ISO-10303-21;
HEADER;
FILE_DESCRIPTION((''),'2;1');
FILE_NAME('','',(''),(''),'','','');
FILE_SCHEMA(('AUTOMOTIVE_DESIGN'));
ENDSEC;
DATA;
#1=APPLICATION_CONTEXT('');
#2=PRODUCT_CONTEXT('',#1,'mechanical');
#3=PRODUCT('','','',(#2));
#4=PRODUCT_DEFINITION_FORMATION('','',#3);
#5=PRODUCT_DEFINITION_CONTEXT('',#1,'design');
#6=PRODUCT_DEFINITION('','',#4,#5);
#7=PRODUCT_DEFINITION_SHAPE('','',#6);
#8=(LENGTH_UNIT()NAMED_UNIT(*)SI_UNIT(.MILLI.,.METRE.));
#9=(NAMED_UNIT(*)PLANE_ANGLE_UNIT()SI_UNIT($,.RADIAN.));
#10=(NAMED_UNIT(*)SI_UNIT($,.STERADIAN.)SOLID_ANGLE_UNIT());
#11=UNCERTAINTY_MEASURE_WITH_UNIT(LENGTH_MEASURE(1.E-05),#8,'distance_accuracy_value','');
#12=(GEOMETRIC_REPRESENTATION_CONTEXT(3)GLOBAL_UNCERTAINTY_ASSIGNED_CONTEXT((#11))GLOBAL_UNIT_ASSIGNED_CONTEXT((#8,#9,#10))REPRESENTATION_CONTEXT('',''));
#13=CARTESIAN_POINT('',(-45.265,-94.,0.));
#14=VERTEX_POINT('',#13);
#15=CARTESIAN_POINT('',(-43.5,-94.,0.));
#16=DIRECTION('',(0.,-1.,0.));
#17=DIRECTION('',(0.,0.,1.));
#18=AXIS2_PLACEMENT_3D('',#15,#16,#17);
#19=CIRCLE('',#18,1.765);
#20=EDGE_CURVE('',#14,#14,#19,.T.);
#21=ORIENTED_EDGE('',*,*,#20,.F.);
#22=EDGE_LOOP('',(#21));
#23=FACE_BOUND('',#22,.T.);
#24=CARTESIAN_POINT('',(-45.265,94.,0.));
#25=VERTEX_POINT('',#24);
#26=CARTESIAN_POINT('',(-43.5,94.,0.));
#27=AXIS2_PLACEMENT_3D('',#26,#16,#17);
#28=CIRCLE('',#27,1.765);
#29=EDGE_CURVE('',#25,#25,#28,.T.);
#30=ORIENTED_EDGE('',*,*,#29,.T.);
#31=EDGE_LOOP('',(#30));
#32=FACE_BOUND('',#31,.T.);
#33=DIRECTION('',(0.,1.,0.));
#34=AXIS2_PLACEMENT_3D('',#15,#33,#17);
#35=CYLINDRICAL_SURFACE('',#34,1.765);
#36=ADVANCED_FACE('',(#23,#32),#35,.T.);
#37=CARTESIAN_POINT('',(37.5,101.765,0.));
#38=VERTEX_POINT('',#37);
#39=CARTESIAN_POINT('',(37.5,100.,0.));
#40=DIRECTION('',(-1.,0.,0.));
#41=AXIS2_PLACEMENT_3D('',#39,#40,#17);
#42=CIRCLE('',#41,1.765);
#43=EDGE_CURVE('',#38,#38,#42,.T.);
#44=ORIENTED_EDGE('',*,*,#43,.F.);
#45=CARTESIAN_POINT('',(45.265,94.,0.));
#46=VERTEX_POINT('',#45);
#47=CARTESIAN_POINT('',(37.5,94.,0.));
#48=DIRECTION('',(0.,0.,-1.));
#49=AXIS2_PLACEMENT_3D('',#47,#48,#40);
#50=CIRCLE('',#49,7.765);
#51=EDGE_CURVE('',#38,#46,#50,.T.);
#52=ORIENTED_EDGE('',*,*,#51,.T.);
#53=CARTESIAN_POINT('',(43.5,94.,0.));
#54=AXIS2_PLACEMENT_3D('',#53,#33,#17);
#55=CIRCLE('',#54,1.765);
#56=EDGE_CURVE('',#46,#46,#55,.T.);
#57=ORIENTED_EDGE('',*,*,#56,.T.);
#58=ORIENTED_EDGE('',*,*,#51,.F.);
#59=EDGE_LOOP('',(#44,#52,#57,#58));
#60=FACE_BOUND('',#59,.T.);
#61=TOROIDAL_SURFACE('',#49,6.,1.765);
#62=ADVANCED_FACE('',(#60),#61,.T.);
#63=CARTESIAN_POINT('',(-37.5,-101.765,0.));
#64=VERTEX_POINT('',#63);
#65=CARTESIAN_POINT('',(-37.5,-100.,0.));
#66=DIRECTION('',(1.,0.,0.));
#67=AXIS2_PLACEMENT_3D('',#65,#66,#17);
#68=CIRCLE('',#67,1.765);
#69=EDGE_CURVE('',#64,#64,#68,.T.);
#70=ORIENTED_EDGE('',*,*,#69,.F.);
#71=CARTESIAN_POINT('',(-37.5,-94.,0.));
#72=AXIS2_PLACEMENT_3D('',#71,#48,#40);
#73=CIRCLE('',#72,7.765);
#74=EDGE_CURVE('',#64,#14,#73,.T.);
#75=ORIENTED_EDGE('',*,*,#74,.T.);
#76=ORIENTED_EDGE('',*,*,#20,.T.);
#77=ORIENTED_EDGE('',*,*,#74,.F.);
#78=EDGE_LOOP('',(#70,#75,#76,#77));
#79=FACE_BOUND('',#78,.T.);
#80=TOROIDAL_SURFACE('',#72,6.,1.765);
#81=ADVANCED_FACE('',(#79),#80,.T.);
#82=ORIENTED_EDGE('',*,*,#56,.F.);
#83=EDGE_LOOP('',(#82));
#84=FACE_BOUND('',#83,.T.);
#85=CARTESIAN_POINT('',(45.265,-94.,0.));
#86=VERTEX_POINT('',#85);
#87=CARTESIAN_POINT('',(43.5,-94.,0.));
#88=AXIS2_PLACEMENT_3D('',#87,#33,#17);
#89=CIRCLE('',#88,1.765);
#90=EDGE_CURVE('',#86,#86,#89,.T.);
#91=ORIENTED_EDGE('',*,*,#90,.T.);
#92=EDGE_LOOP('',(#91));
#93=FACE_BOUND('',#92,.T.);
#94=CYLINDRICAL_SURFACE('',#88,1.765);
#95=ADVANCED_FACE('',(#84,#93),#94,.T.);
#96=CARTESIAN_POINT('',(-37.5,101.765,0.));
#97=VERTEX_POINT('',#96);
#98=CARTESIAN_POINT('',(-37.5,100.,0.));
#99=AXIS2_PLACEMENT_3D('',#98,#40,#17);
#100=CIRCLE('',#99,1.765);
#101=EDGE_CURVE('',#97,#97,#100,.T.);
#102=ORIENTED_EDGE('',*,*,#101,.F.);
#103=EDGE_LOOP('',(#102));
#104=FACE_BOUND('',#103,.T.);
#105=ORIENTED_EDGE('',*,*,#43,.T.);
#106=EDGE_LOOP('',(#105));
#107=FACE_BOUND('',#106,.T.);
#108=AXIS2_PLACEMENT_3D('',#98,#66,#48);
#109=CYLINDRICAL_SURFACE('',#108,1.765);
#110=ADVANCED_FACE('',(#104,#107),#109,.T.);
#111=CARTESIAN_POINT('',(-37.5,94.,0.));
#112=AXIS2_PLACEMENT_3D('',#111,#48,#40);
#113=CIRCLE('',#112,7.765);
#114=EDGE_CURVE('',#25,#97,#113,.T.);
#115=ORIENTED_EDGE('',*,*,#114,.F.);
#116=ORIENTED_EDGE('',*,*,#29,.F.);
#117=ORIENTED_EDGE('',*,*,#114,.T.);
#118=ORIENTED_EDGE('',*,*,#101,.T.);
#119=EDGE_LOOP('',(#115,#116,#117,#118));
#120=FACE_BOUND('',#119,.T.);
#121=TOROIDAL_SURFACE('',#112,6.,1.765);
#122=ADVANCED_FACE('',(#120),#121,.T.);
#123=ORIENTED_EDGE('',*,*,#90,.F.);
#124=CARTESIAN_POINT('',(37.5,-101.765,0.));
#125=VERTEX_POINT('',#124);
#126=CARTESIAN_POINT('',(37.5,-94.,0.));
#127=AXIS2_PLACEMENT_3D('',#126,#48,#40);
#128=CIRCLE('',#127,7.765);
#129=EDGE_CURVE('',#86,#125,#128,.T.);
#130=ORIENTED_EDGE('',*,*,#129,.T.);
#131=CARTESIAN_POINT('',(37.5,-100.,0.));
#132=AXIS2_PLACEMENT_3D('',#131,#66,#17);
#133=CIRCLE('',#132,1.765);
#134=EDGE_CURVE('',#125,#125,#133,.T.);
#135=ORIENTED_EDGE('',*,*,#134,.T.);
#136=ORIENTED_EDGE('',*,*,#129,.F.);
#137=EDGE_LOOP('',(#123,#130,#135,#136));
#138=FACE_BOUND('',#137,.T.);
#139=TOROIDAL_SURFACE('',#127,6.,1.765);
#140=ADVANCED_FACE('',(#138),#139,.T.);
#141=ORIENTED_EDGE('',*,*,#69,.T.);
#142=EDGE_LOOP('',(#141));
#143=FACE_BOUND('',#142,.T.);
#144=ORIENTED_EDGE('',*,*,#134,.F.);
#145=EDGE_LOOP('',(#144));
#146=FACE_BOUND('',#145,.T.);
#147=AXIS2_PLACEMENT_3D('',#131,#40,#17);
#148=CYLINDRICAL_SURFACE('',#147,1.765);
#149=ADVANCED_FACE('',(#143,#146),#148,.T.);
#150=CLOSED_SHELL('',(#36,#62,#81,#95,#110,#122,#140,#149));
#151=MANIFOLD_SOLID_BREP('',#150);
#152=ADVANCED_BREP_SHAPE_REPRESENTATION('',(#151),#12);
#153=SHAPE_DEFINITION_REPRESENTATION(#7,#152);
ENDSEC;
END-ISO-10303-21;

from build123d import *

# Parameters (mm, degrees)
ESBO_O2_R = 1.765


with BuildPart() as part:
    # Varredura1: sweep along a path in Esboço1
    with BuildLine(Plane.XY) as varredura1_path:
        Line((-37.5, -100), (37.5, -100))
        ThreePointArc((37.5, -100), (41.742640687, -98.242640687), (43.5, -94))
        Line((43.5, -94), (43.5, 94))
        ThreePointArc((43.5, 94), (41.742640687, 98.242640687), (37.5, 100))
        Line((37.5, 100), (-37.5, 100))
        ThreePointArc((-37.5, 100), (-41.742640687, 98.242640687), (-43.5, 94))
        Line((-43.5, 94), (-43.5, -94))
        ThreePointArc((-43.5, -94), (-41.742640687, -98.242640687), (-37.5, -100))
    # Esboço2 → Varredura1 (sweep)
    with BuildSketch(Plane(origin=(0, 0, 0), x_dir=(1, 0, 0), z_dir=(0, 1, 0))):
        with Locations((43.5, 0)):
            Circle(ESBO_O2_R)
    sweep(path=varredura1_path.line)


solid = part.part
